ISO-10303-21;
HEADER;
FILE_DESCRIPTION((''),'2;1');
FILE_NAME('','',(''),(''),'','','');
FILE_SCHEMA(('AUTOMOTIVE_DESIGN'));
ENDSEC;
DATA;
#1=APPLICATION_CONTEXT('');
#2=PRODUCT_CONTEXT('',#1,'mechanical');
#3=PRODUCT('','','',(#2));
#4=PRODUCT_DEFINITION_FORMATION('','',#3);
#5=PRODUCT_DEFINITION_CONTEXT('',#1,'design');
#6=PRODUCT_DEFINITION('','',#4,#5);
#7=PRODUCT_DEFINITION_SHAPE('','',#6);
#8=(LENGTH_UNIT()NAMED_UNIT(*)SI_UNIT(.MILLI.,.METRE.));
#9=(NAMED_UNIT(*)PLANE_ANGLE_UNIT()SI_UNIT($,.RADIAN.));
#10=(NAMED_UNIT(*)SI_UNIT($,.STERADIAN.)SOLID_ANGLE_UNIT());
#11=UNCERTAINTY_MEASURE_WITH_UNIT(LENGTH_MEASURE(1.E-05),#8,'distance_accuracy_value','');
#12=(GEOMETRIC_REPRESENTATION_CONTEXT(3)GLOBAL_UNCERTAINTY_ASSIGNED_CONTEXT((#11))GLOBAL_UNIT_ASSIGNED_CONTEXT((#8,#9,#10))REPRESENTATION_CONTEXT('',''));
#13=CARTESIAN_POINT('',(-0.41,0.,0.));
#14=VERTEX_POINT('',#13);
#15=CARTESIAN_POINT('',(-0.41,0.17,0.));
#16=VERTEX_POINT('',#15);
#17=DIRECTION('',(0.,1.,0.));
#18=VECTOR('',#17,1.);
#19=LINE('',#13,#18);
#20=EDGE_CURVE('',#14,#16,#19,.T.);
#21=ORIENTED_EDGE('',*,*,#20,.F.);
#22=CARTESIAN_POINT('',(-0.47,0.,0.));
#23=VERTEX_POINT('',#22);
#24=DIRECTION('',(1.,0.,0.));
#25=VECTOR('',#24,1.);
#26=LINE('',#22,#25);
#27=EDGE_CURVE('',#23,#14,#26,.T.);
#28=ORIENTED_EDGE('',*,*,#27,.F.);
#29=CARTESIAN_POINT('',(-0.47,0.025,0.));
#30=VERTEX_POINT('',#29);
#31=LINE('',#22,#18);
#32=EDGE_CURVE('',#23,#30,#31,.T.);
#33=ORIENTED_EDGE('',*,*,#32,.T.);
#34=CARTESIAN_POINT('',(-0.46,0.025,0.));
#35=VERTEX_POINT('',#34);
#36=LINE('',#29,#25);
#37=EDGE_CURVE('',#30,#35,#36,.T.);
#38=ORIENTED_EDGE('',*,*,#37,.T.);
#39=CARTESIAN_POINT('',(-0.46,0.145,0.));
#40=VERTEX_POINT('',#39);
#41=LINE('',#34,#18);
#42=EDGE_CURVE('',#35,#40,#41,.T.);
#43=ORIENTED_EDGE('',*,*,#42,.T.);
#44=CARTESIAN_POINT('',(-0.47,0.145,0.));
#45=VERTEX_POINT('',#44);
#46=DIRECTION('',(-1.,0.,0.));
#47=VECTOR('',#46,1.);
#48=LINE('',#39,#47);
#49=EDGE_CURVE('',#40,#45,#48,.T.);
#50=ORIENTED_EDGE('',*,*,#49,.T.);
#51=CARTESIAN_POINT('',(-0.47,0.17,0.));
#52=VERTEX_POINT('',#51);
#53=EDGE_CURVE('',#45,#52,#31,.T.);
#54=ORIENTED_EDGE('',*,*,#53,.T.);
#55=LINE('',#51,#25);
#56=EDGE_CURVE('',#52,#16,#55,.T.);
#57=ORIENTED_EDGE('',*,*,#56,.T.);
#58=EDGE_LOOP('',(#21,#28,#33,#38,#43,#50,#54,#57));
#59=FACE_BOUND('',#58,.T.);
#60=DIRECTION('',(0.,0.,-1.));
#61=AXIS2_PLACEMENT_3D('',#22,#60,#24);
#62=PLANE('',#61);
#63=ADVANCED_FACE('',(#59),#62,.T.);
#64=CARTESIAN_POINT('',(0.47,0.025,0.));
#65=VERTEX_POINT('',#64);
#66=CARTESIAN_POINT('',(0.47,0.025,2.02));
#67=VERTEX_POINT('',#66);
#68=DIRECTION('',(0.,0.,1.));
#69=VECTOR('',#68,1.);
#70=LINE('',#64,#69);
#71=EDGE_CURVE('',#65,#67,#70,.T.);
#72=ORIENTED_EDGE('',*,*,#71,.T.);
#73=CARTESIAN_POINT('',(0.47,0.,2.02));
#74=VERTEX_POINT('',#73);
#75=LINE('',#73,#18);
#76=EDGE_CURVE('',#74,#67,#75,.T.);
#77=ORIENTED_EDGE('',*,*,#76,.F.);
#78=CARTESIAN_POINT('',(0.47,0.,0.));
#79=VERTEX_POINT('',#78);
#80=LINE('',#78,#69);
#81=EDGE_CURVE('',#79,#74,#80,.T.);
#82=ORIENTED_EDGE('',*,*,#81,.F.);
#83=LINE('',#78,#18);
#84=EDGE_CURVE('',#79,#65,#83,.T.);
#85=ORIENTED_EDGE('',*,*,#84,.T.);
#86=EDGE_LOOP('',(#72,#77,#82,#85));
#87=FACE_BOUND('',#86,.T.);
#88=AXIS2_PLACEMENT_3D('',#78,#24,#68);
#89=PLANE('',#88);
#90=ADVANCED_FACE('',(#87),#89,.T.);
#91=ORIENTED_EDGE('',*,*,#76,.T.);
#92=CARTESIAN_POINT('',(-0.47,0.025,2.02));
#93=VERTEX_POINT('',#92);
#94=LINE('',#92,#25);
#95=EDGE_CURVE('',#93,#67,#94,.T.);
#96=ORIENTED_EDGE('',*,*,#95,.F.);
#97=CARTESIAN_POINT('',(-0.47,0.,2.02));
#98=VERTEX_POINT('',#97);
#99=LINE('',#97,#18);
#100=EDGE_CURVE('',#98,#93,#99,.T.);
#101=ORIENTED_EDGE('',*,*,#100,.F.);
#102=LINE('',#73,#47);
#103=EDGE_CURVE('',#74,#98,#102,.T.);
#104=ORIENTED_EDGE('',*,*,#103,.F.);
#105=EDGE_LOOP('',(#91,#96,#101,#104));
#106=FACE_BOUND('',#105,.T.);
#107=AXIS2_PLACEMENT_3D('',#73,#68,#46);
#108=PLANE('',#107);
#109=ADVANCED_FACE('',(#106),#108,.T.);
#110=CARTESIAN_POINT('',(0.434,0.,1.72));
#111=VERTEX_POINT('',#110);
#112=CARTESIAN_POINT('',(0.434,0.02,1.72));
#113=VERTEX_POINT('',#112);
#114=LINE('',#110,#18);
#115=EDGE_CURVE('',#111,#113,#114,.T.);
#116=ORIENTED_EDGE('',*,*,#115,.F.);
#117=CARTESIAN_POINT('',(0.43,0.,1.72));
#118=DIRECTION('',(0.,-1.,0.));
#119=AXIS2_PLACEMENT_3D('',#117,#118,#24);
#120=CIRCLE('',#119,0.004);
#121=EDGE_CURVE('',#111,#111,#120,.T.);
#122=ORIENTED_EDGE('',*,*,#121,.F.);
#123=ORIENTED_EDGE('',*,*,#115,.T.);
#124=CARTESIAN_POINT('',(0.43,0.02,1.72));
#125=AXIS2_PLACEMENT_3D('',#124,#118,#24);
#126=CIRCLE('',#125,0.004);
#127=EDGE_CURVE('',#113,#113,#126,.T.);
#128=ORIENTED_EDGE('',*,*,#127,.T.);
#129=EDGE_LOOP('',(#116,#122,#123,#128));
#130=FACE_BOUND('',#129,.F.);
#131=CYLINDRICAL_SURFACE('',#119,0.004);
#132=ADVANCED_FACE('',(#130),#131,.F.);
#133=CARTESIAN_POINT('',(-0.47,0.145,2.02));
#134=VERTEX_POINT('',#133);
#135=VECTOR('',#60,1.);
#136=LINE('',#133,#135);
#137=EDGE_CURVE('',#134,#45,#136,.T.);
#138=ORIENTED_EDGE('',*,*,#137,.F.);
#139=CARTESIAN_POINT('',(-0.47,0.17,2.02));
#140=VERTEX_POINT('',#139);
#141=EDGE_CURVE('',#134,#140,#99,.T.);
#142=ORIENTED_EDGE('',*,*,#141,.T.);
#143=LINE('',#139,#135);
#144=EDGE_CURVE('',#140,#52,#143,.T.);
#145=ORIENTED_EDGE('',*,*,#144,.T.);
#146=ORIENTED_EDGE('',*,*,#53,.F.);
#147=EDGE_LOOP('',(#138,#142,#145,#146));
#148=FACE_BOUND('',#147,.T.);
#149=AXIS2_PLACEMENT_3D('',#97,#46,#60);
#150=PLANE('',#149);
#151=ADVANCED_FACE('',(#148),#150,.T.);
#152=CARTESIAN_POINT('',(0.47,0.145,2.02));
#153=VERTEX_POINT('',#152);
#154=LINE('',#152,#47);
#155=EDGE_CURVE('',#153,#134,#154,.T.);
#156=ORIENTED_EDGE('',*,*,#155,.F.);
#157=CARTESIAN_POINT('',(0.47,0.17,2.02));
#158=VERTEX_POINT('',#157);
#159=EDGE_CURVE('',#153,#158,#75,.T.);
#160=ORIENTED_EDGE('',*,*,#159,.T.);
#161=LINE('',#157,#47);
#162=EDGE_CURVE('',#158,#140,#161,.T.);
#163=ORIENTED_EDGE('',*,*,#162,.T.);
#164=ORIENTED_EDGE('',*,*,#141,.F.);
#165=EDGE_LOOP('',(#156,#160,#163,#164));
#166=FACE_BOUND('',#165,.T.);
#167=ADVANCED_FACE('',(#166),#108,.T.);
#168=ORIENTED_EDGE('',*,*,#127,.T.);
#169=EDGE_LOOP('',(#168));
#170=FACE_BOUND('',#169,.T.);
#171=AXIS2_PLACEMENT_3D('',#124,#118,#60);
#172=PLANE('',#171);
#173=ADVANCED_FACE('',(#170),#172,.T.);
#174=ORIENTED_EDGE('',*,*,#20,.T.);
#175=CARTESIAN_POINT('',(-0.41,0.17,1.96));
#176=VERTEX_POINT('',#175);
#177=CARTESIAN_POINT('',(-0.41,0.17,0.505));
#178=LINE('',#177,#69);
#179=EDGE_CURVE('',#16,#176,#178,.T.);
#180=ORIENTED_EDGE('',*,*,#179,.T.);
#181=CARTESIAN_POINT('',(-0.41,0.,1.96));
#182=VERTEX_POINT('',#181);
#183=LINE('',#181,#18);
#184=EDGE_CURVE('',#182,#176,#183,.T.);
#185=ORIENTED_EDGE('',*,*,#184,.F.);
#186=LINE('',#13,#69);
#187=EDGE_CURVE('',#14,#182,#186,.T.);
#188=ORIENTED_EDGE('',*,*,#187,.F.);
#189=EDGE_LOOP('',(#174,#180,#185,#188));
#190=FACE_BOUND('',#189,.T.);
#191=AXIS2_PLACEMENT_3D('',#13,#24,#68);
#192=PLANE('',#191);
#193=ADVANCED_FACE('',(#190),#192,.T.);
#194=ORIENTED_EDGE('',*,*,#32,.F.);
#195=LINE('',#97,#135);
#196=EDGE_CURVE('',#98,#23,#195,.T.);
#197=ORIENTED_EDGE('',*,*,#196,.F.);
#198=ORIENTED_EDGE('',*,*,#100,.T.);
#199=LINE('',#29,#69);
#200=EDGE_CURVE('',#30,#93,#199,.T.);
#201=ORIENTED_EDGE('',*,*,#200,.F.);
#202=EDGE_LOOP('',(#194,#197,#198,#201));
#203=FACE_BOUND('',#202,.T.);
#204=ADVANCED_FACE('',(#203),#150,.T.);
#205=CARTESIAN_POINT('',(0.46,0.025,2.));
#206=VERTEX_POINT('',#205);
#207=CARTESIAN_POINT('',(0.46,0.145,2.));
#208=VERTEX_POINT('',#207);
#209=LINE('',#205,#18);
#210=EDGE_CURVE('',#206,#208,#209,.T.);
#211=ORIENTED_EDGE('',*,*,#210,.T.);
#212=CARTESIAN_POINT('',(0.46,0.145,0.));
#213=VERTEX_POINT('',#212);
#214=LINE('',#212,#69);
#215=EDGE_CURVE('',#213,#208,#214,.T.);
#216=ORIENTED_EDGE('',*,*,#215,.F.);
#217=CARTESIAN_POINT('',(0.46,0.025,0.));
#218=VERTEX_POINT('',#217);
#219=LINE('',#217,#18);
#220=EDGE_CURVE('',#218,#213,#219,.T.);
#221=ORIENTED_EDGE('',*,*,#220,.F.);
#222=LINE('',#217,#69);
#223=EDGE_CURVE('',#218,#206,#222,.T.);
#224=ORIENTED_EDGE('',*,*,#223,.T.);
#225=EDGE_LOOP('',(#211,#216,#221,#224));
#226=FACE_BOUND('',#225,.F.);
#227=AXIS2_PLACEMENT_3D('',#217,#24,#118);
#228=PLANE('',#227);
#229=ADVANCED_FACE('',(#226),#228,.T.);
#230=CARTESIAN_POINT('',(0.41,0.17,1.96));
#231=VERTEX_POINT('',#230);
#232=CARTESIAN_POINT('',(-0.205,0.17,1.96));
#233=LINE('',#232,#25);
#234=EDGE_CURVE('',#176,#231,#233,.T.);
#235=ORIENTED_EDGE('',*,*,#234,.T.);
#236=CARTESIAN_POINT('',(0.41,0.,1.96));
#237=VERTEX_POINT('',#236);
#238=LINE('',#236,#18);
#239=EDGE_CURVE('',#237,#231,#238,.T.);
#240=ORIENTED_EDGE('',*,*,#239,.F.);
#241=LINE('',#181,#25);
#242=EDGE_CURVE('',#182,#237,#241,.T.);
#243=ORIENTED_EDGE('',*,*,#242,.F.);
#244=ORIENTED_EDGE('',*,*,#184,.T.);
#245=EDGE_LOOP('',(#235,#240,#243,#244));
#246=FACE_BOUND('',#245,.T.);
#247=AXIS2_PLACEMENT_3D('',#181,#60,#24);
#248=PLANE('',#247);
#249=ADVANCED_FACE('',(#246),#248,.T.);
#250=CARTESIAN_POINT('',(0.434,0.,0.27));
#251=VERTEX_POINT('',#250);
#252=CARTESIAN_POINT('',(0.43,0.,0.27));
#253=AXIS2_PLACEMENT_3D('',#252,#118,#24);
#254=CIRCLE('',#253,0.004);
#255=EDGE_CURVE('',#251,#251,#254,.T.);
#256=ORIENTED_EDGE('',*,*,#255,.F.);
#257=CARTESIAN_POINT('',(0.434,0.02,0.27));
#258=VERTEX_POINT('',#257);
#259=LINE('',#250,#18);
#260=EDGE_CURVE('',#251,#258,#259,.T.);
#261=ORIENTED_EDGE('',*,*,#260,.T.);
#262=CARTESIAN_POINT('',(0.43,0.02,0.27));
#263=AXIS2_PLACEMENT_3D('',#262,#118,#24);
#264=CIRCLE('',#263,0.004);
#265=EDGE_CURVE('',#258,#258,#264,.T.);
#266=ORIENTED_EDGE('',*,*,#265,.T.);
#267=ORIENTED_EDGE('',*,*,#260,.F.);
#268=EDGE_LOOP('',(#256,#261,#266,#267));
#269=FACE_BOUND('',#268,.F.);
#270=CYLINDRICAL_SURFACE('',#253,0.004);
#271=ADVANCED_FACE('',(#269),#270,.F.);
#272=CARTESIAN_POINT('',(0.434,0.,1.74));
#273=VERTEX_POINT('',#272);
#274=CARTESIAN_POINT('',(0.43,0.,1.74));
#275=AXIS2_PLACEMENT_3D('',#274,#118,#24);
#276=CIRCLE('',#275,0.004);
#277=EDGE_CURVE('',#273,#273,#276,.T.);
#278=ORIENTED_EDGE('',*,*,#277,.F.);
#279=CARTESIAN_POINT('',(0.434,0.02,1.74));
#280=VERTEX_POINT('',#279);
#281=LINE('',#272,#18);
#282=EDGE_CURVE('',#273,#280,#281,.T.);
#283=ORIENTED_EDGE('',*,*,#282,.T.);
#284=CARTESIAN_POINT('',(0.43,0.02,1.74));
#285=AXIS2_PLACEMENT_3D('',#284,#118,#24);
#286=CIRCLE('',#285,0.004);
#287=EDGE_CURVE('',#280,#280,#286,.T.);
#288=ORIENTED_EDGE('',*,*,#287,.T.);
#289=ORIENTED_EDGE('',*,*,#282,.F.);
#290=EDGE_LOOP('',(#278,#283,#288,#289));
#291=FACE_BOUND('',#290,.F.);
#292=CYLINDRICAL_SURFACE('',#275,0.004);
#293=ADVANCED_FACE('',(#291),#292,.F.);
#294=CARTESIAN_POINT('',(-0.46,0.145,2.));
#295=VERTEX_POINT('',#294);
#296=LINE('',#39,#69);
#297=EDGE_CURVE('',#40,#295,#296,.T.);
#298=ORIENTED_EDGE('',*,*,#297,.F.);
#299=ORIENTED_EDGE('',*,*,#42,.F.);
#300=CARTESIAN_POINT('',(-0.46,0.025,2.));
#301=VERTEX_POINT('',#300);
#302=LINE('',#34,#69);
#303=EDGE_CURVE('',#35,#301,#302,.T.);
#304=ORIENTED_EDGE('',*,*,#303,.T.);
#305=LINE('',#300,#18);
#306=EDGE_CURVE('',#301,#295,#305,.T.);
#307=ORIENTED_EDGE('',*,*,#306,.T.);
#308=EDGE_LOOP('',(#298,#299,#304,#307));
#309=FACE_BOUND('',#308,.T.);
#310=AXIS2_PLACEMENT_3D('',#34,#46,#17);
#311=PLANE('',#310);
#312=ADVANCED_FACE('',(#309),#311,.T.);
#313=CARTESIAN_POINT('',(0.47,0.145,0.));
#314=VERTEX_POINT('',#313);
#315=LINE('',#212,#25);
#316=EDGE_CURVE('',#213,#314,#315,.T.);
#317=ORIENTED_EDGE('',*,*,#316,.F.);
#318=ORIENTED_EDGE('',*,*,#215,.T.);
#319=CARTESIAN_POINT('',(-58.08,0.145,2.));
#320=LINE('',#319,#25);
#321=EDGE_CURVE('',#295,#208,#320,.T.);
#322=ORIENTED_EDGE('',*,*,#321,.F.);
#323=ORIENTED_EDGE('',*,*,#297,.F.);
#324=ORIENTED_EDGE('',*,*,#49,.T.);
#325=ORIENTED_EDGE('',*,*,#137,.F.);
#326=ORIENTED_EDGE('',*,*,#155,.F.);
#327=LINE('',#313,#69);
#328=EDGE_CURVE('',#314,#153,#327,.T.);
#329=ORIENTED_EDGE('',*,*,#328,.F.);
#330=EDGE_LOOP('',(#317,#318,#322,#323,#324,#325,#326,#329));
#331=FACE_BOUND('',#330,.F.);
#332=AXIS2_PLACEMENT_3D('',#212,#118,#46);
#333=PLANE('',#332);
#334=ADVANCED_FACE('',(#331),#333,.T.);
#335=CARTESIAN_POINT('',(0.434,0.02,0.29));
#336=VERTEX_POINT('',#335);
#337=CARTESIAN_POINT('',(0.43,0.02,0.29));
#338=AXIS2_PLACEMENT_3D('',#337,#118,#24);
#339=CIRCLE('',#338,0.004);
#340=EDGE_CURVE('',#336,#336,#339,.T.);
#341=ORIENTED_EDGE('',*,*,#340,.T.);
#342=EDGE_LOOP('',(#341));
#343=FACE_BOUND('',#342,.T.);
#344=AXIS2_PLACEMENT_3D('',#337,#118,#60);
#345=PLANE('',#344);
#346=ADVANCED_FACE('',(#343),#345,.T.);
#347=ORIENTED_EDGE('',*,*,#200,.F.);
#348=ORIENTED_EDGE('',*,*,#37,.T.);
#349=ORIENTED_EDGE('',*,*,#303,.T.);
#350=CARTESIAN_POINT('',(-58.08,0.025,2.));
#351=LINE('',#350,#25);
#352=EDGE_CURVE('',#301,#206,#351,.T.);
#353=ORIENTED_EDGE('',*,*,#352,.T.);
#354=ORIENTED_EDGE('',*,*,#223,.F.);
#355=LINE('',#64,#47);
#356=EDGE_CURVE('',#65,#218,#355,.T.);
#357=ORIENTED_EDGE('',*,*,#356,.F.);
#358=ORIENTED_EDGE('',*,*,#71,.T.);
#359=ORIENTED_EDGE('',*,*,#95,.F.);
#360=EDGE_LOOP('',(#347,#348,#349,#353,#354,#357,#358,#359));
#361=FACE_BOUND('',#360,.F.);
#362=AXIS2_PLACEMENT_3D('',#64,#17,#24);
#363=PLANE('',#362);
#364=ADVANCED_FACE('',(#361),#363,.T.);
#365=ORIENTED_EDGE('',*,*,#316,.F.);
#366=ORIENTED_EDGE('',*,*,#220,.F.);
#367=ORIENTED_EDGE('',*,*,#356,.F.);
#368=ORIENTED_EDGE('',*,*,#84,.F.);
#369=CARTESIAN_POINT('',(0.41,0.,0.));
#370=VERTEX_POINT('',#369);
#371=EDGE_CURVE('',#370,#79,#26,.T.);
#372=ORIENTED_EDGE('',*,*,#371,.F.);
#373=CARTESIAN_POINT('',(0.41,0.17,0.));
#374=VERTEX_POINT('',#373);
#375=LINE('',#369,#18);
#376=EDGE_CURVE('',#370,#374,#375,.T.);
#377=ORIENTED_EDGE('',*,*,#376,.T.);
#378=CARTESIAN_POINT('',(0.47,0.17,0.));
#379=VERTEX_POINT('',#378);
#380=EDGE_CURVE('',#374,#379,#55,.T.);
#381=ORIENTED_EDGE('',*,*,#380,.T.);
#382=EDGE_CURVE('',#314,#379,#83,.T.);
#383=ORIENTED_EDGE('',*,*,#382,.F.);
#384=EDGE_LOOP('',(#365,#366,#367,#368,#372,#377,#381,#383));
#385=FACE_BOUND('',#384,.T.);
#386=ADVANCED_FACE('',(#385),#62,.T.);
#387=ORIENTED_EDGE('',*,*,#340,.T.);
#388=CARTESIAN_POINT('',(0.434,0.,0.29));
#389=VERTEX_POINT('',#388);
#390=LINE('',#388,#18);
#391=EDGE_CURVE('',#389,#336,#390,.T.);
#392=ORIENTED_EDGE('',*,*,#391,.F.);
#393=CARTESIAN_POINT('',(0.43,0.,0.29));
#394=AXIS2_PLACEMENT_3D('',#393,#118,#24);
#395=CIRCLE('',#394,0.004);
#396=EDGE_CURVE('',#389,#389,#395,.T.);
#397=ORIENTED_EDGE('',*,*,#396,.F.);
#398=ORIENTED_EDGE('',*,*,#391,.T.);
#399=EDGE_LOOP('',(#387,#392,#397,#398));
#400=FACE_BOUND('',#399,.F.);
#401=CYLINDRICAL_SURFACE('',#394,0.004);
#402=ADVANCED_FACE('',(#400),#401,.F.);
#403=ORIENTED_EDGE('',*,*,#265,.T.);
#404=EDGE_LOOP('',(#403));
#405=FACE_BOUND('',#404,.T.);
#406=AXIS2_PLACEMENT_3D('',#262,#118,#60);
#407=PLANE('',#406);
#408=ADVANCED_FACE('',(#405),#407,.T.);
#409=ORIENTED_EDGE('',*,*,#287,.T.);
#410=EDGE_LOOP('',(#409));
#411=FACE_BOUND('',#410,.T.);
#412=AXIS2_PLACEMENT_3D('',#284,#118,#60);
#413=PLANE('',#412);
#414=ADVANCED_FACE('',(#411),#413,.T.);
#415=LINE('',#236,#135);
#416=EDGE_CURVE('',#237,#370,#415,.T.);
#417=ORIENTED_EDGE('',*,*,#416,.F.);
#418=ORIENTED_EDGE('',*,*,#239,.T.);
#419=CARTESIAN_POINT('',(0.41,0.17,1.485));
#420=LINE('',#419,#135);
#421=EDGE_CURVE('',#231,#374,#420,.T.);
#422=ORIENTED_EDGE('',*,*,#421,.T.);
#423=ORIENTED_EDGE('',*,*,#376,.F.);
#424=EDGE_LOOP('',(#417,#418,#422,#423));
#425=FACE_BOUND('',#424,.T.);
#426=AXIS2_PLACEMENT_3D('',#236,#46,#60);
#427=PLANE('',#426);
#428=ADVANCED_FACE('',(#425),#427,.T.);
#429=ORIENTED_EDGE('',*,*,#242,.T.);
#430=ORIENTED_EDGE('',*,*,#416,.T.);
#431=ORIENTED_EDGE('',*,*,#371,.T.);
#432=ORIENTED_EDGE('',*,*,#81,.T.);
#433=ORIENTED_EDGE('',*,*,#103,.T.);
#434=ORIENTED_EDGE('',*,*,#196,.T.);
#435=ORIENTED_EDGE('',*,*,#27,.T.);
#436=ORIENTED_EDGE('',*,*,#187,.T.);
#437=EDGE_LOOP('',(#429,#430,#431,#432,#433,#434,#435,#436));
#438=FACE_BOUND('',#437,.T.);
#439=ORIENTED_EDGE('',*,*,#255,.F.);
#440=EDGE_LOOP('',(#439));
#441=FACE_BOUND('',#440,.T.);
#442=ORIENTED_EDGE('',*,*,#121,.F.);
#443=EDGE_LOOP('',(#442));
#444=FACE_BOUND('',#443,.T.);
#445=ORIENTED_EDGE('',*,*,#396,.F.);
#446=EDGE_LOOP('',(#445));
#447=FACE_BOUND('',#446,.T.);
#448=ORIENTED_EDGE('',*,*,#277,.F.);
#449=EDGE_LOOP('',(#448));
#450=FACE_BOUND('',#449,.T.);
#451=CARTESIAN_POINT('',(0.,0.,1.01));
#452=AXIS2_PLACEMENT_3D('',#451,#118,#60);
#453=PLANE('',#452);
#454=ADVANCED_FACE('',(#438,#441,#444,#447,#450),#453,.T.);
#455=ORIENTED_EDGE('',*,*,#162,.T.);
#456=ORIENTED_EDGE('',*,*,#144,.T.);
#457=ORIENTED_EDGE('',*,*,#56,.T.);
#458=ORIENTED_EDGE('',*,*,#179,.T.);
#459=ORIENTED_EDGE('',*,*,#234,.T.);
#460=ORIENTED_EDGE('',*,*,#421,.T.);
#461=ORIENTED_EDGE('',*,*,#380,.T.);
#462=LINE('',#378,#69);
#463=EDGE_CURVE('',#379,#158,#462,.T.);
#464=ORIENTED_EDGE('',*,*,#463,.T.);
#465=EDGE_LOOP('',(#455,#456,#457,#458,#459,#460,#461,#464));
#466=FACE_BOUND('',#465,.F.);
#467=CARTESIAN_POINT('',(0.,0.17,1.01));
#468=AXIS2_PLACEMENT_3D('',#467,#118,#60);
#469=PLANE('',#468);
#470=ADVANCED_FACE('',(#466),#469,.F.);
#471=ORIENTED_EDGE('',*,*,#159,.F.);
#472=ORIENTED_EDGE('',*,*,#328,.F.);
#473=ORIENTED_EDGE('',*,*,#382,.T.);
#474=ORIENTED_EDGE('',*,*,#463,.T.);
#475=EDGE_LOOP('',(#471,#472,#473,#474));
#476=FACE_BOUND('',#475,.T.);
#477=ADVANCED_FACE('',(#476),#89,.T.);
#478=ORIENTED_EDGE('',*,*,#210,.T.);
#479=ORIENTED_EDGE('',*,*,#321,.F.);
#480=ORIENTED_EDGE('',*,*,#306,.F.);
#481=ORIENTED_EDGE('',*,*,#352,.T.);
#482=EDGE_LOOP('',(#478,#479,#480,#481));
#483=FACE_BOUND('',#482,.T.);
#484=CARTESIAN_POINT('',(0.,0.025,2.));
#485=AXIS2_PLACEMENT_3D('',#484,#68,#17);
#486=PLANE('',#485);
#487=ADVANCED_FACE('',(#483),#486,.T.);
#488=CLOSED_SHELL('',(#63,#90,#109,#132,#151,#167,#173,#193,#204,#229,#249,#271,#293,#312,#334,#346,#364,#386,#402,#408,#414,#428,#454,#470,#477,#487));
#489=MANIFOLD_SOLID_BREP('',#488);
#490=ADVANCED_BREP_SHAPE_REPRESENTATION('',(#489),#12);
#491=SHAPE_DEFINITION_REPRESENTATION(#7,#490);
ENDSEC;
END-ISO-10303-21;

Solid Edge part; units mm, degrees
sketch "Sketch1" plane through (0, 0, 0) normal (0, -1, 0) x (1, 0, 0)
  line L0 (-0.47, 0) -> (0.47, 0)
  line L1 (0.47, 0) -> (0.47, 2.02)
  line L2 (0.47, 2.02) -> (-0.47, 2.02)
  line L3 (-0.47, 2.02) -> (-0.47, 0)
  dimension "D1" = 2.02
  dimension "D2" = 0.94
extrude "Protrusion1" add sketch "Sketch1" against normal blind 0.17
sketch "Sketch2" plane through (0, 0.085, 0) normal (0, 0, -1) x (1, 0, 0)
  line L0 (-0.47, -0.06) -> (-0.47, 0.06)
  line L1 (-0.47, 0.06) -> (-0.46, 0.06)
  line L2 (-0.46, 0.06) -> (-0.46, -0.06)
  line L3 (-0.46, -0.06) -> (-0.47, -0.06)
  dimension "D1" = 0.12
  dimension "D2" = 0.01
extrude "Cutout1" cut sketch "Sketch2" against normal through all
mirror "Mirror1" about plane through (0, 0, 0) normal (1, 0, 0) of "Cutout1"
sketch "Sketch3" plane through (0, 0, 0) normal (1, 0, 0) x (0, 1, 0)
  line L0 (0.025, 2.02) -> (0.025, 2)
  line L1 (0.025, 2) -> (0.145, 2)
  line L2 (0.145, 2.02) -> (0.145, 2)
  line L3 (0.145, 2.02) -> (0.025, 2.02)
  dimension "D1" = 0.02
extrude "Cutout3" cut sketch "Sketch3" along normal through all and the other way through all
sketch "Sketch4" plane through (0, 0, 1.01) normal (0, -1, 0) x (1, 0, 0)
  line L0 (-0.41, -1.01) -> (0.41, -1.01)
  line L1 (0.41, 0.95) -> (0.41, -1.01)
  line L2 (-0.41, 0.95) -> (0.41, 0.95)
  line L3 (-0.41, -1.01) -> (-0.41, 0.95)
  dimension "D1" = 0.82
  dimension "D2" = 1.96
extrude "Cutout4" cut sketch "Sketch4" against normal through all
sketch "Sketch5" plane through (0, 0, 1.01) normal (0, -1, 0) x (1, 0, 0)
  circle A0 centre (0.43, -0.72) radius 0.004
  circle A1 centre (0.43, 0.71) radius 0.004
  circle A2 centre (0.43, 0.73) radius 0.004
  circle A3 centre (0.43, -0.74) radius 0.004
  dimension "D1" = 0.008
  dimension "D2" = 0.27
  dimension "D3" = 0.02
  dimension "D4" = 1.45
  dimension "D5" = 0.02
extrude "Ausschnitt_5" cut sketch "Sketch5" against normal blind 0.02
